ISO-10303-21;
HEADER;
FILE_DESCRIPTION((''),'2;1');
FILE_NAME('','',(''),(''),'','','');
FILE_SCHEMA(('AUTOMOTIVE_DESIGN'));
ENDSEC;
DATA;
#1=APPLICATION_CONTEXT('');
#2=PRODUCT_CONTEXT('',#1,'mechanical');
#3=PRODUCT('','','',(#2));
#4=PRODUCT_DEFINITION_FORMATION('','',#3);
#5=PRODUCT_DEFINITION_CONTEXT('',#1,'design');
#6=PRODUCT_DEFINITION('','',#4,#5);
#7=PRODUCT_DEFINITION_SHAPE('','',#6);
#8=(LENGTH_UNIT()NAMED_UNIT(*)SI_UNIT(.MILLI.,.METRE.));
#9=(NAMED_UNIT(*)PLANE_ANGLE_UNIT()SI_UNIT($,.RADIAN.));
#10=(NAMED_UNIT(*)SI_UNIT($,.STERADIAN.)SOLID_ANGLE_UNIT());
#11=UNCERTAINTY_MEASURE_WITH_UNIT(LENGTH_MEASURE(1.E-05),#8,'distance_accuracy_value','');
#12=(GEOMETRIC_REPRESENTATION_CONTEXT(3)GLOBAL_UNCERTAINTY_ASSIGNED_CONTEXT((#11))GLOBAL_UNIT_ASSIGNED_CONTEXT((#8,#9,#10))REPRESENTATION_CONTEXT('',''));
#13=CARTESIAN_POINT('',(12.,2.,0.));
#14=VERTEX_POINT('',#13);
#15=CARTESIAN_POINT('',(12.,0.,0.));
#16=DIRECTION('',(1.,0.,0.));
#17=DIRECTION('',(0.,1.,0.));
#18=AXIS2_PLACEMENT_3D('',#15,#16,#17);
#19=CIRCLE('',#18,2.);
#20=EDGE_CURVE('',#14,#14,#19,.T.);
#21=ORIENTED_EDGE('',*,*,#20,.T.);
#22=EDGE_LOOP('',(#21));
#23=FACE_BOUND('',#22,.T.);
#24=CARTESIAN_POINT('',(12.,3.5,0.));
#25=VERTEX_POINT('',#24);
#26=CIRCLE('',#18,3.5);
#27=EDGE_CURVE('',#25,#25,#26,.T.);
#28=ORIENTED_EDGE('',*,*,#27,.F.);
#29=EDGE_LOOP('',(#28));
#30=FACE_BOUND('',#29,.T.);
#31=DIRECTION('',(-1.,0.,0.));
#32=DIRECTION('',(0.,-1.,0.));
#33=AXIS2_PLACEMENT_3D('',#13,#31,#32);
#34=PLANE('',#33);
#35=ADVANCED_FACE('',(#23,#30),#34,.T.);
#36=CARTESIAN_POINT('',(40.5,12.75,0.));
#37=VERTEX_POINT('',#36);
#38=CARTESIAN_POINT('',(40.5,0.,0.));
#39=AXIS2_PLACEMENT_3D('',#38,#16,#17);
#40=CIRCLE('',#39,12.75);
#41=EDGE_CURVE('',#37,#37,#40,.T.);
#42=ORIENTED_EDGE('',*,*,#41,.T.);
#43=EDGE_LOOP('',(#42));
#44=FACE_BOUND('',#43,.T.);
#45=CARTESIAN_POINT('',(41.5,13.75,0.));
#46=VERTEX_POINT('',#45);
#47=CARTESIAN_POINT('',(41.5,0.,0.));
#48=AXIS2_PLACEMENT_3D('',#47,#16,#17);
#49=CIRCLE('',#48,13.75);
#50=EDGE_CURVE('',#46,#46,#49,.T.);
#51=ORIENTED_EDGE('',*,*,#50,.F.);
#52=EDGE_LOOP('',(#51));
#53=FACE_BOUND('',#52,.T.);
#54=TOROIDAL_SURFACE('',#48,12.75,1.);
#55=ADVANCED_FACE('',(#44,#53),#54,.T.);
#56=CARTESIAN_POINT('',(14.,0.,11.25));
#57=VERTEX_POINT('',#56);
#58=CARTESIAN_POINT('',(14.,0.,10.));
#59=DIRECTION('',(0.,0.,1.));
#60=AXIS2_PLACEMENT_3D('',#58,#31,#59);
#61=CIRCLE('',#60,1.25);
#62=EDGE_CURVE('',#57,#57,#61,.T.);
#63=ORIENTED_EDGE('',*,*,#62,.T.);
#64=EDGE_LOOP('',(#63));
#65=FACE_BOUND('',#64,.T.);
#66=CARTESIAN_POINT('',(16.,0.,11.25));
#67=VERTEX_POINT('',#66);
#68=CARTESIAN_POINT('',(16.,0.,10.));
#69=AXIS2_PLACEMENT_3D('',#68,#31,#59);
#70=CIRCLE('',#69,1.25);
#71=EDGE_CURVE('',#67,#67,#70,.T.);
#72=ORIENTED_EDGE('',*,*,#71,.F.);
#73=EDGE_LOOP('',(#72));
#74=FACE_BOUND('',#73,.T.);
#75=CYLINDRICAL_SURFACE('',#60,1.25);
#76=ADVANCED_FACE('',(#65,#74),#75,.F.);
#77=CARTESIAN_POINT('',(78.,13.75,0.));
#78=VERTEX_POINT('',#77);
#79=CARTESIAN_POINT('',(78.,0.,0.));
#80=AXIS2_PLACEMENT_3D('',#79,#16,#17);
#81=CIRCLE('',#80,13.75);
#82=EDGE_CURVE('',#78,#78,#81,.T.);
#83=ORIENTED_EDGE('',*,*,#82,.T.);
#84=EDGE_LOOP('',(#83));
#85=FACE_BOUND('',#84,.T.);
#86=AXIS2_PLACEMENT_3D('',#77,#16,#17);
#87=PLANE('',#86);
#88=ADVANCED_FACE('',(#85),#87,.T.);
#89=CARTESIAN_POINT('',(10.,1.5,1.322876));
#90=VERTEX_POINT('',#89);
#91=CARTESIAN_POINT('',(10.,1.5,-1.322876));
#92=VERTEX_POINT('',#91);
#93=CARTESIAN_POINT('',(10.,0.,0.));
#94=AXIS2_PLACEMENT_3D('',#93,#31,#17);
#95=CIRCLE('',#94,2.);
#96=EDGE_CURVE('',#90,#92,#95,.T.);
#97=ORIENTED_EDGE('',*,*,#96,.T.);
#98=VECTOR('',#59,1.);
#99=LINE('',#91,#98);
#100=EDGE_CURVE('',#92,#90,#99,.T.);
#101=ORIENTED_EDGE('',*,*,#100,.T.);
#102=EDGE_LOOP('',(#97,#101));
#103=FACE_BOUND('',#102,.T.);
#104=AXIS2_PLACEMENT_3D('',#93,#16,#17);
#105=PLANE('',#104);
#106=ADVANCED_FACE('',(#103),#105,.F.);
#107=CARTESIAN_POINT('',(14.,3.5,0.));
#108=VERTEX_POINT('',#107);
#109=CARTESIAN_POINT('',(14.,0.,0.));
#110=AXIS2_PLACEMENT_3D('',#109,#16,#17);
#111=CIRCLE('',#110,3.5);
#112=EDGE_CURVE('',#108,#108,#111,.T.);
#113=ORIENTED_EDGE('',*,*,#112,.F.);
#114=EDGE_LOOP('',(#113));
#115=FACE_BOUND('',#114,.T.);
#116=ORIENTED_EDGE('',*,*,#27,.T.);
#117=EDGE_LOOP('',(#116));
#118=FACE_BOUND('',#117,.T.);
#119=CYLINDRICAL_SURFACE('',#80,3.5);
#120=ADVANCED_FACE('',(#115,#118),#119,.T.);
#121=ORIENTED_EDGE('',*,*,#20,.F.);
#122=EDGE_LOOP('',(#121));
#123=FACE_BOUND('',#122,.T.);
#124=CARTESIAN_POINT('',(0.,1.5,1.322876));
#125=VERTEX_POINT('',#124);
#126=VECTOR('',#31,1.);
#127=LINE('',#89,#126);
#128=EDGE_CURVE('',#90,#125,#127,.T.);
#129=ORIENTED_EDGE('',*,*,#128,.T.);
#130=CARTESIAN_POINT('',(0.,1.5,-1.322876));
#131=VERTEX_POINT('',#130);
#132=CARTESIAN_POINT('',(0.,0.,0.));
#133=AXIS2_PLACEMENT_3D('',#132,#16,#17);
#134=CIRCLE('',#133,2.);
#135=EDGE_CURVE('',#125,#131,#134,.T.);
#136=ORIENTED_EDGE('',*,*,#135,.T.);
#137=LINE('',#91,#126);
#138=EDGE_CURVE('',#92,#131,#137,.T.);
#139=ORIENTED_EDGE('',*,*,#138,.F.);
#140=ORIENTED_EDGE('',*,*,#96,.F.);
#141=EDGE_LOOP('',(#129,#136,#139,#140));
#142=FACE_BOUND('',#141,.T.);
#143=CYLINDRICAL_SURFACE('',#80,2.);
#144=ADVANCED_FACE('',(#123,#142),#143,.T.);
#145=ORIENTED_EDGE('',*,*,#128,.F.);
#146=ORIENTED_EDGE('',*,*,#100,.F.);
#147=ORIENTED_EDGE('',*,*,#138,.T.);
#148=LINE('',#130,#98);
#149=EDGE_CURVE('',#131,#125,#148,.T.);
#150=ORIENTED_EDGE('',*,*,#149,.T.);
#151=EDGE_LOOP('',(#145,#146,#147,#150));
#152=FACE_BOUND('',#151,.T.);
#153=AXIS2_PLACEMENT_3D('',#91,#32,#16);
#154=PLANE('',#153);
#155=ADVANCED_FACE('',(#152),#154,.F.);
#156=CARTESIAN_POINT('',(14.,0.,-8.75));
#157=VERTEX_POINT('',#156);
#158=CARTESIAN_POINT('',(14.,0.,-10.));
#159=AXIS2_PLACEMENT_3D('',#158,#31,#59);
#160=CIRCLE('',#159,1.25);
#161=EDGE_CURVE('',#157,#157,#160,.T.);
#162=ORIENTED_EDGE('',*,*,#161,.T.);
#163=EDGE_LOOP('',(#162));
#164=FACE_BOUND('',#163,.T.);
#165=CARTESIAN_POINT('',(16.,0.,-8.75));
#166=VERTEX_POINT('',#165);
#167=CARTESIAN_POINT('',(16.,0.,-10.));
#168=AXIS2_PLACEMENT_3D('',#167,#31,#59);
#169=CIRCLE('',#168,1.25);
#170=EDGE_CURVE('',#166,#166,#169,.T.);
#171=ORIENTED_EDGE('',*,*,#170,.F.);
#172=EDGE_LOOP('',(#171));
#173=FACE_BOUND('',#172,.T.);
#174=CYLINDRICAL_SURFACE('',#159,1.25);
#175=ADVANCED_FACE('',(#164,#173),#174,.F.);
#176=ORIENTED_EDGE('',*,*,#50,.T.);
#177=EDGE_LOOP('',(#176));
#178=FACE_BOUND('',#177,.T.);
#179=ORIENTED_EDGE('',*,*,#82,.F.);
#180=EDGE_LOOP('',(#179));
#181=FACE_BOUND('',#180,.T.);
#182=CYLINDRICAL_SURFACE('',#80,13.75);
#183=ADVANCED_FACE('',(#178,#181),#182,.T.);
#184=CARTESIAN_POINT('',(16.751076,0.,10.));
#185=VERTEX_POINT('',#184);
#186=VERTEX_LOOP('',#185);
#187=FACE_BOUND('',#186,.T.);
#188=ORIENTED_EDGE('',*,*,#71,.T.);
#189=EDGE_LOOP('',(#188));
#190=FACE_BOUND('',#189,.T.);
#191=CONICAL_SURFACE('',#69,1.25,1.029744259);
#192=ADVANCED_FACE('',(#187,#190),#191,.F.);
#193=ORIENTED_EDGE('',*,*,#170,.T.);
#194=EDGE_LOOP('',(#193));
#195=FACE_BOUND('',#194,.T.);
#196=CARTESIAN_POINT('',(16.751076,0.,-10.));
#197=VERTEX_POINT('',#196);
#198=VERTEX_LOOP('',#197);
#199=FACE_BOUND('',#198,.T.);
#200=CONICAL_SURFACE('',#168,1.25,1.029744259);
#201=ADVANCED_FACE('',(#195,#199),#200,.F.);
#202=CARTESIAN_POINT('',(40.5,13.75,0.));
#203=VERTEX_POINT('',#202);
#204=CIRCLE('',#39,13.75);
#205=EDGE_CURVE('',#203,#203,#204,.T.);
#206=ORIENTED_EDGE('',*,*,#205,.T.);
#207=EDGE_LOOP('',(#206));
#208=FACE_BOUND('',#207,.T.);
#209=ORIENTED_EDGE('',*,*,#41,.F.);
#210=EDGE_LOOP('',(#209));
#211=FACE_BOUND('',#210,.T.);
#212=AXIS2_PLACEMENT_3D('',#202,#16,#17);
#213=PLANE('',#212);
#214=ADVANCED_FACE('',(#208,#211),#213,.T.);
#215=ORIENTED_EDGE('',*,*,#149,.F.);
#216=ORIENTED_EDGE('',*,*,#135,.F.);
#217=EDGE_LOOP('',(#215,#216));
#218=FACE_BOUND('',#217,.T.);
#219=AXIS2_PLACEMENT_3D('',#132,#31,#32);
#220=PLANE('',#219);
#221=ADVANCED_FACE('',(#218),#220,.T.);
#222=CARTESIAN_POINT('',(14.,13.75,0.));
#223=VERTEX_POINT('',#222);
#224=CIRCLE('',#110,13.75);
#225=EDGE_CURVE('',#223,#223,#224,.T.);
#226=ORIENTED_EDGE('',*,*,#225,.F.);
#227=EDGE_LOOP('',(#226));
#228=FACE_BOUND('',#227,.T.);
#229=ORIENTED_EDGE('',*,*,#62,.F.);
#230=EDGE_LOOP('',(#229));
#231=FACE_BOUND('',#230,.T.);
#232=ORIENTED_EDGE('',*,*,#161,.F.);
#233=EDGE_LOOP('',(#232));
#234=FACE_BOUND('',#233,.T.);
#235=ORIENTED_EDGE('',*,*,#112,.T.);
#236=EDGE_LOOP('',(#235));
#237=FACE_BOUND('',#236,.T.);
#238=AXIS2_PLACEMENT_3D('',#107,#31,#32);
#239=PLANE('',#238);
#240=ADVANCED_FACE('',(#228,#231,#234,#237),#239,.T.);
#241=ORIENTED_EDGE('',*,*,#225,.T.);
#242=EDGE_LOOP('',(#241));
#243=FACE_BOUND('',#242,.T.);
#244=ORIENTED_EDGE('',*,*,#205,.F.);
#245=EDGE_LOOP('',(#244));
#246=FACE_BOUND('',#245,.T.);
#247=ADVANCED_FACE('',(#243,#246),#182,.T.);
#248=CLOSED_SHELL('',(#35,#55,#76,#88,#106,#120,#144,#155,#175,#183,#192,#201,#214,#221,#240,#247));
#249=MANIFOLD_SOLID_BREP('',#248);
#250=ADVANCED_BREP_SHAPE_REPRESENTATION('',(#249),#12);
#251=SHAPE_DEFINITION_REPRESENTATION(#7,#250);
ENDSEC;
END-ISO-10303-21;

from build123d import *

# Parameters (mm, degrees)
M3_TAPPED_HOLE1_D     = 2.5
M3_TAPPED_HOLE1_DEPTH = 2
M3_TAPPED_HOLE1_TIP   = 0.751075774
CUT_EXTRUDE1_START    = -10
CUT_EXTRUDE1_DEPTH    = 10


with BuildPart() as part:
    # Sketch1 → Revolve1 (revolve)
    with BuildSketch(Plane.XY):
        with BuildLine():
            Line((0, 0), (0, 2))
            Line((0, 2), (12, 2))
            Line((12, 2), (12, 3.5))
            Line((12, 3.5), (14, 3.5))
            Line((14, 3.5), (14, 13.75))
            Line((14, 13.75), (40.5, 13.75))
            Line((40.5, 13.75), (40.5, 12.75))
            ThreePointArc((40.5, 12.75), (40.792893219, 13.457106781), (41.5, 13.75))
            Line((41.5, 13.75), (78, 13.75))
            Line((78, 13.75), (78, 0))
            Line((78, 0), (0, 0))
        make_face()
    revolve(axis=Axis((78, 0, 0), (-1, 0, 0)))

    # M3 Tapped Hole1
    with Locations(Plane(origin=(14, 0, -10), x_dir=(0, -1, 0), z_dir=(-1, 0, 0))):
        with Locations((0, 0), (0, 20)):
            Hole(M3_TAPPED_HOLE1_D / 2, depth=M3_TAPPED_HOLE1_DEPTH)
            with Locations((0, 0, -(M3_TAPPED_HOLE1_DEPTH + M3_TAPPED_HOLE1_TIP / 2))):  # 118° drill point
                Cone(0, M3_TAPPED_HOLE1_D / 2, M3_TAPPED_HOLE1_TIP, mode=Mode.SUBTRACT)

    # Sketch4 → Cut-Extrude1 (cut)
    with BuildSketch(Plane.ZY.offset(CUT_EXTRUDE1_START)):
        with BuildLine():
            Line((-1.322875656, 1.5), (1.322875656, 1.5))
            ThreePointArc((1.322875656, 1.5), (0, 2), (-1.322875656, 1.5))
        make_face()
    extrude(amount=CUT_EXTRUDE1_DEPTH, mode=Mode.SUBTRACT)


solid = part.part
